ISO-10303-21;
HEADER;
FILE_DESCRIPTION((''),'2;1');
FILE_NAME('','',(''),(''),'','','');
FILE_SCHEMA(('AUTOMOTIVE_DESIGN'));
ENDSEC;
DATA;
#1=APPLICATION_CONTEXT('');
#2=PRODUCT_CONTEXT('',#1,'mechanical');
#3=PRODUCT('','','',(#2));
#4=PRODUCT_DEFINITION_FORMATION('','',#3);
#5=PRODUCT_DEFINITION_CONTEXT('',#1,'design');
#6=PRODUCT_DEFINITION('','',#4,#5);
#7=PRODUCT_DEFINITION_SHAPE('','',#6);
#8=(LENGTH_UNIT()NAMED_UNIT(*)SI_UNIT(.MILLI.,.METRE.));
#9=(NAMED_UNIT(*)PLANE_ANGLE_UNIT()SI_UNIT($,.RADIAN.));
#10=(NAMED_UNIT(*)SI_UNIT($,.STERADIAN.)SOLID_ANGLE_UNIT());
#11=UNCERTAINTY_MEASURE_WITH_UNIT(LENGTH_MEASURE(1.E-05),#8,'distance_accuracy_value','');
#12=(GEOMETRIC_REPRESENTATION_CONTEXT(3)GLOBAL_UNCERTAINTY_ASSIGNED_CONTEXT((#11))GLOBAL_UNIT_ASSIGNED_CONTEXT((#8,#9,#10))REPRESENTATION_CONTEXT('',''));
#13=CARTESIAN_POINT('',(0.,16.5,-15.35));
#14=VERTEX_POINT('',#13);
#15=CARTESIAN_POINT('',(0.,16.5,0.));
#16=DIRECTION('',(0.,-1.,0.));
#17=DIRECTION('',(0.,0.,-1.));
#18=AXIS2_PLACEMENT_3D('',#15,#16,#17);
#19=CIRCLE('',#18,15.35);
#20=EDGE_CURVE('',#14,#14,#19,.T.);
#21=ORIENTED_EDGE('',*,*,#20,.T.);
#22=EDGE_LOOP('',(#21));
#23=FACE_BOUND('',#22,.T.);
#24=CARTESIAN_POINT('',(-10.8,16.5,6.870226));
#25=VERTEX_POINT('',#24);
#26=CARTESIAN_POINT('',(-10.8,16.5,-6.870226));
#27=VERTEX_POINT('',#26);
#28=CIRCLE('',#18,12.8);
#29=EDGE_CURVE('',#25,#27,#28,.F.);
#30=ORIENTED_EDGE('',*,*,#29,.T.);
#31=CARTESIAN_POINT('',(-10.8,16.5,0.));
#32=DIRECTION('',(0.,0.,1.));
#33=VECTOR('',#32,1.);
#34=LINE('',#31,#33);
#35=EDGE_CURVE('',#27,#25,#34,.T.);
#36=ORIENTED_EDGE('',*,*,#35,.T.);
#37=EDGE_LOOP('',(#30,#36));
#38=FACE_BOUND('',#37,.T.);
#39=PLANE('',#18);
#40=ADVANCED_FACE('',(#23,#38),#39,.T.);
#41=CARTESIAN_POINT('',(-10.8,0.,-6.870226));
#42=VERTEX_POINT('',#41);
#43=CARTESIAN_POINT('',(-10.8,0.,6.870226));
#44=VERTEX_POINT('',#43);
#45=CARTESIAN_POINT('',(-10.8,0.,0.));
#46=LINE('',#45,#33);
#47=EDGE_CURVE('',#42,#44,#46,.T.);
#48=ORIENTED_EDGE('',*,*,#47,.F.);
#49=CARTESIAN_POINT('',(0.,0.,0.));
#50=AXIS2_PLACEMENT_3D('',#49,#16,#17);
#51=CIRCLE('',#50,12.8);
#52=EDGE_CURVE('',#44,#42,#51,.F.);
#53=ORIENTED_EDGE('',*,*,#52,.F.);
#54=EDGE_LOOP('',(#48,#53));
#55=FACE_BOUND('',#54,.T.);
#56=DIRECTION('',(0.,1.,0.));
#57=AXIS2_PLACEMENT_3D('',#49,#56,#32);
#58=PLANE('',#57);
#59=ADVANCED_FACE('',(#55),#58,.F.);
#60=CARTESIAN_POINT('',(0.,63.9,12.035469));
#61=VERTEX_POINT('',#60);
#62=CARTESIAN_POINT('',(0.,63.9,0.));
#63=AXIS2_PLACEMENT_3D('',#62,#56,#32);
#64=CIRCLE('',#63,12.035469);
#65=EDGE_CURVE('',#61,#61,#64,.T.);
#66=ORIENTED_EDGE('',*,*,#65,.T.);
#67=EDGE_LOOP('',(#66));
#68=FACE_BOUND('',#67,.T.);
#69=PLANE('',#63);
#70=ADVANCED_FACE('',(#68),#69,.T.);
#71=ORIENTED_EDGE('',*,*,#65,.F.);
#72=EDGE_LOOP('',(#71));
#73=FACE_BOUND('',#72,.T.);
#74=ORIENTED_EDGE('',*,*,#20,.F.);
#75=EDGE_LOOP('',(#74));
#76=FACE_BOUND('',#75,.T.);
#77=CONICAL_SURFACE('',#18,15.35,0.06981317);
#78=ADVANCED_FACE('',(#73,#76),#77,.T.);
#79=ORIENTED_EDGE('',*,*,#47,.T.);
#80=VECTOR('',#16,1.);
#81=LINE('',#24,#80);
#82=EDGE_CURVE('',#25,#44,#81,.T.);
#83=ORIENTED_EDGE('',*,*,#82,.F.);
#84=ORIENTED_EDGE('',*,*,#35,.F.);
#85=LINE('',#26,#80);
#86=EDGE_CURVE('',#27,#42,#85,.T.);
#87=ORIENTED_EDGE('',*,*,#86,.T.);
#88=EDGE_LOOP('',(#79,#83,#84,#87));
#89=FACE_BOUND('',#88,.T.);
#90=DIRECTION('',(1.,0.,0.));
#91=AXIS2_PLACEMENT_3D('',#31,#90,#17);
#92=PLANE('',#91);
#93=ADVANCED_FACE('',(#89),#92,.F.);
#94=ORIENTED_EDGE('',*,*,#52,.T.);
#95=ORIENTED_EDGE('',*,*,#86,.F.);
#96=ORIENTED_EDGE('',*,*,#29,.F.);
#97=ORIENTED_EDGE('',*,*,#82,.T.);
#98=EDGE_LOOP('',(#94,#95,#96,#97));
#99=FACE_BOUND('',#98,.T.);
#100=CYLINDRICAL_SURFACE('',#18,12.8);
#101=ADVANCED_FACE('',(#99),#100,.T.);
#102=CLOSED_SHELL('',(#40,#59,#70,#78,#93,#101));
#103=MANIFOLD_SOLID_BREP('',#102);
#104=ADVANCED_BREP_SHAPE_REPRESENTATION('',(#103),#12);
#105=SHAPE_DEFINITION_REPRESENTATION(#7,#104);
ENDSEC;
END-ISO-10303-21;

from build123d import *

# Parameters (mm, degrees)
SKETCH1_R           = 15.35
BOSS_EXTRUDE1_DEPTH = 63.9
SKETCH2_R           = 15.35
CUT_EXTRUDE1_DEPTH  = 16.5
DRAFT3_ANGLE        = -4


with BuildPart() as part:
    # Sketch1 → Boss-Extrude1 (new body)
    with BuildSketch(Plane(origin=(0, 0, 0), x_dir=(1, 0, 0), z_dir=(0, 1, 0))):
        with Locations(Location((0, 0, 0), (0, 0, 270))):
            Circle(SKETCH1_R)
    extrude(amount=BOSS_EXTRUDE1_DEPTH)

    # Sketch2 → Cut-Extrude1 (cut)
    with BuildSketch(Plane.XZ):
        with Locations(Location((0, 0, 0), (0, 0, 270))):
            Circle(SKETCH2_R)
        with BuildLine():
            Line((-10.8, -6.870225615), (-10.8, 6.870225615))
            ThreePointArc((-10.8, 6.870225615), (12.8, 0), (-10.8, -6.870225615))
        make_face(mode=Mode.SUBTRACT)
    extrude(amount=-CUT_EXTRUDE1_DEPTH, mode=Mode.SUBTRACT)

    # Draft3
    draft3_faces = [part.faces().sort_by_distance(p)[0] for p in [
        (0, 40.2, -15.35),
    ]]
    draft(draft3_faces, Plane(origin=(0, 16.5, 0), x_dir=(0, 0, -1), z_dir=(0, -1, 0)), DRAFT3_ANGLE)


solid = part.part
